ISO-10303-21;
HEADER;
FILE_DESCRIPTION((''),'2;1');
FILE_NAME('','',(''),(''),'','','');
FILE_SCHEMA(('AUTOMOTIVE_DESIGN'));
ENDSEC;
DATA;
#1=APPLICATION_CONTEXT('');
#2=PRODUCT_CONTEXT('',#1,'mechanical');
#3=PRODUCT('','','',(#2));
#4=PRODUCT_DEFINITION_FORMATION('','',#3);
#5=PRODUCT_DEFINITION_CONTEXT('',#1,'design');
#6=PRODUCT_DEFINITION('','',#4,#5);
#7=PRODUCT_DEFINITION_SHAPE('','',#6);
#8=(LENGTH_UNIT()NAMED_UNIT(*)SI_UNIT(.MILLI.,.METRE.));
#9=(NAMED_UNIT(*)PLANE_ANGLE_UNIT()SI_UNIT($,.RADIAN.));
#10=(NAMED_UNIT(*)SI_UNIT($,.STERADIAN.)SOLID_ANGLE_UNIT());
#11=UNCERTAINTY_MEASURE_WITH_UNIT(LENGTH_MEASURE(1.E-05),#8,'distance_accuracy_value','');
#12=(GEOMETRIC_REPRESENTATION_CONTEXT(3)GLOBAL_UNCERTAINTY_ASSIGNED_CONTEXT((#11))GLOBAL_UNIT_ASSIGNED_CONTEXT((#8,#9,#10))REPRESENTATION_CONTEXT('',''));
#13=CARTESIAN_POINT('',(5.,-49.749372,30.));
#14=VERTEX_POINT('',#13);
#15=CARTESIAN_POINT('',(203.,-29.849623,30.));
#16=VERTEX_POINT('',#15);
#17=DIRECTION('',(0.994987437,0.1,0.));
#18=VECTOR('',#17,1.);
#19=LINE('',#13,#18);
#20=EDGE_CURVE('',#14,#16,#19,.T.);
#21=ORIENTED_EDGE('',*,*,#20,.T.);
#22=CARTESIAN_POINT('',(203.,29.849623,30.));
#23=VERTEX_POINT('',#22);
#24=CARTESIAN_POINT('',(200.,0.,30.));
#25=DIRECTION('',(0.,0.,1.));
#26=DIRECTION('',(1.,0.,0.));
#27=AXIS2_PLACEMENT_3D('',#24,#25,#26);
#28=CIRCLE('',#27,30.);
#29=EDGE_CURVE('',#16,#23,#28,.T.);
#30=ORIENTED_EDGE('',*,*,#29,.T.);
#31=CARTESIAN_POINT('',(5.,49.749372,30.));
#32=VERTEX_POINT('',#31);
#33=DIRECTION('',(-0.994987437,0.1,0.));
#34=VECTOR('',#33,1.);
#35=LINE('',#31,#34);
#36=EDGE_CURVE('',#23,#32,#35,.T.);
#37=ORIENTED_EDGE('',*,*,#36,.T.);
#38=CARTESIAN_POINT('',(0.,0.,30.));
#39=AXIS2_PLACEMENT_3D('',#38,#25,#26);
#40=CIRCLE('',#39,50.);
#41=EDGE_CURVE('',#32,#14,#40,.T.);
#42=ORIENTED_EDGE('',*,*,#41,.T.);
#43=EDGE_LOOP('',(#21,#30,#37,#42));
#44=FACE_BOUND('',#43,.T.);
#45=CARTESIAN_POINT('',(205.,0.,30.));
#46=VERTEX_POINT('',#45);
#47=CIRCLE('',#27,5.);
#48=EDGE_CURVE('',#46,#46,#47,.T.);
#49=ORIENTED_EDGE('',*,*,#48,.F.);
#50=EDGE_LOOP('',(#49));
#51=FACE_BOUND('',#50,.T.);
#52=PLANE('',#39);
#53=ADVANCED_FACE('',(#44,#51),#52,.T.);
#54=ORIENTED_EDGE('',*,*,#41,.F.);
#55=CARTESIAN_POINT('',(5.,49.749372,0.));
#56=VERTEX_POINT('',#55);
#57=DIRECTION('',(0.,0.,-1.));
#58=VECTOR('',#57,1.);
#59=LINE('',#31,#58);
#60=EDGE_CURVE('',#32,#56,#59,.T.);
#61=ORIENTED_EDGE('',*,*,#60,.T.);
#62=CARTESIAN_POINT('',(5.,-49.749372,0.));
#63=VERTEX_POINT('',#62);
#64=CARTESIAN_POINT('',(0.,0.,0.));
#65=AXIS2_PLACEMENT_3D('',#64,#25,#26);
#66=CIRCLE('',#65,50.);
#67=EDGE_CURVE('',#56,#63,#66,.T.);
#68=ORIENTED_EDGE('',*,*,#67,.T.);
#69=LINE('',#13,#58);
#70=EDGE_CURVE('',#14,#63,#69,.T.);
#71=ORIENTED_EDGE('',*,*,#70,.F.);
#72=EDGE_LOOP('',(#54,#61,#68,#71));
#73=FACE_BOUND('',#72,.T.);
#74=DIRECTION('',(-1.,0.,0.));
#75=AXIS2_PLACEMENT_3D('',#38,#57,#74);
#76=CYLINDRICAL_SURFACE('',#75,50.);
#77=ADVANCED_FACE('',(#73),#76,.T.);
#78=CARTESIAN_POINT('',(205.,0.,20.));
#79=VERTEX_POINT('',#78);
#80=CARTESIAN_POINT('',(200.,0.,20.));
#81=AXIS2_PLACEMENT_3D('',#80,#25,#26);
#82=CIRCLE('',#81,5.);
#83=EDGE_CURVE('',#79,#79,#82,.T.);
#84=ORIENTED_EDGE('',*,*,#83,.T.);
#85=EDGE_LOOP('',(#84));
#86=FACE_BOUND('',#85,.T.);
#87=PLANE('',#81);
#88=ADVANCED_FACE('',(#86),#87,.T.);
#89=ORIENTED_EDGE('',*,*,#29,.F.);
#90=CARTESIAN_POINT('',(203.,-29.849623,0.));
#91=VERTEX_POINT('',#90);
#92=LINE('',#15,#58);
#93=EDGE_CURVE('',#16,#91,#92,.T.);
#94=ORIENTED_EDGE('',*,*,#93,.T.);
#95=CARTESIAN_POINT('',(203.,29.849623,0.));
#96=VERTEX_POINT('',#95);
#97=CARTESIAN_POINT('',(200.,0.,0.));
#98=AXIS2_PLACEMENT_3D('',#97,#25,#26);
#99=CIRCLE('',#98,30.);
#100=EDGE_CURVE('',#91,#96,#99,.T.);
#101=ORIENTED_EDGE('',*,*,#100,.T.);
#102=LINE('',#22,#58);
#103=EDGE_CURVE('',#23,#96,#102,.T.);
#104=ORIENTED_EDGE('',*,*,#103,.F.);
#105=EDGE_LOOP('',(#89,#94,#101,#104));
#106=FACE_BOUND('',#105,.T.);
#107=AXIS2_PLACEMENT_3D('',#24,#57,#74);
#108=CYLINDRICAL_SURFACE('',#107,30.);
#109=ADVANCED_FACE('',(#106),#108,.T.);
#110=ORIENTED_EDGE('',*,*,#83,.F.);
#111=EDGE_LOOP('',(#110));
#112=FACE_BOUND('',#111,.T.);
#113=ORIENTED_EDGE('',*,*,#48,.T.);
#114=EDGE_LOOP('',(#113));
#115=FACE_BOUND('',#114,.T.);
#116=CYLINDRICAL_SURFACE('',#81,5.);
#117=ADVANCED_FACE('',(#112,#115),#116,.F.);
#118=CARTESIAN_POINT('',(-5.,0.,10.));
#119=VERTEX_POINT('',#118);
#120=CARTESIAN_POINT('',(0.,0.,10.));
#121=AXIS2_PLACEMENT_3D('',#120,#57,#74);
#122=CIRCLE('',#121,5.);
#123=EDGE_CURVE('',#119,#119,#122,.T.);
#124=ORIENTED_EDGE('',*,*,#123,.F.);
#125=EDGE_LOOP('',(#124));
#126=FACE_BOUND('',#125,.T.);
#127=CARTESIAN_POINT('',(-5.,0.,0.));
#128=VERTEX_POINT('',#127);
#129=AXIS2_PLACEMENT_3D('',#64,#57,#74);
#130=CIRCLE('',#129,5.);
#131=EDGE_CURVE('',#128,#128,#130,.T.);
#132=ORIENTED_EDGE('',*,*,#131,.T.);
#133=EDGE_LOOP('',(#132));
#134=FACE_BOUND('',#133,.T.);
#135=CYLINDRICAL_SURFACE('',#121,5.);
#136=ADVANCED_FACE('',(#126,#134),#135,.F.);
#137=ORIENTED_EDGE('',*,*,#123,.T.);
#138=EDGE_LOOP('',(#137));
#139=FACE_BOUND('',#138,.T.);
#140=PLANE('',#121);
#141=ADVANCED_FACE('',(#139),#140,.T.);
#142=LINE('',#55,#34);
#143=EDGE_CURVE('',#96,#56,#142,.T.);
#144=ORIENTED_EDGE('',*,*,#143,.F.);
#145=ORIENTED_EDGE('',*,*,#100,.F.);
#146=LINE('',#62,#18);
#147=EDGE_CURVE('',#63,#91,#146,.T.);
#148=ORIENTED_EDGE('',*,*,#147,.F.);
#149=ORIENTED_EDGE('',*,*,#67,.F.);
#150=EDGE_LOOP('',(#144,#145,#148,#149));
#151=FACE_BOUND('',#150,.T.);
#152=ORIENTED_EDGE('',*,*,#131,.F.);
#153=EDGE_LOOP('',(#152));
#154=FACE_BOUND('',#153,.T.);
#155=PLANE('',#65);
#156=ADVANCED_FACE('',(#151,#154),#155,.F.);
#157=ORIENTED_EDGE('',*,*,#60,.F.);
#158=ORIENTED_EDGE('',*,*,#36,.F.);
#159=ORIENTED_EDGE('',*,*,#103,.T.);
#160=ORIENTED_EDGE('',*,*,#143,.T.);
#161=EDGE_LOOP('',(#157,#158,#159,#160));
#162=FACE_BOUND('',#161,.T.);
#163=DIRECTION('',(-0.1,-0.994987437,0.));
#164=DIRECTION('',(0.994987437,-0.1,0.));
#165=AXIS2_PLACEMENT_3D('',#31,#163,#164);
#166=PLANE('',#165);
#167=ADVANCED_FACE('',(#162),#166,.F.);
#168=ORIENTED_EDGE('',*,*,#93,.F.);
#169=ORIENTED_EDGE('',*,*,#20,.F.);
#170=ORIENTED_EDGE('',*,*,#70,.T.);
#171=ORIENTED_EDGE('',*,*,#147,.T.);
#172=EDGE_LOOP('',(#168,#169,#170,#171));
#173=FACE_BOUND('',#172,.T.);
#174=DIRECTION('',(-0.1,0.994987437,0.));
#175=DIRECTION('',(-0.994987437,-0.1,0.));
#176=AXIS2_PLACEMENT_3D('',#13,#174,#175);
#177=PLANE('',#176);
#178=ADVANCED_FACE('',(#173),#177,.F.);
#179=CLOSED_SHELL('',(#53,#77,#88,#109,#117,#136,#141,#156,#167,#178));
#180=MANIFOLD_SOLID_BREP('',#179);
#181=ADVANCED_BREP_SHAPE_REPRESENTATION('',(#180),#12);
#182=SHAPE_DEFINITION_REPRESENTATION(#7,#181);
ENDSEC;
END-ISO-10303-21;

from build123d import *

# Parameters (mm, degrees)
BOSS_EXTRUDE1_DEPTH = 30
SKETCH2_R           = 5
CUT_EXTRUDE1_DEPTH  = 10
SKETCH3_R           = 5
CUT_EXTRUDE2_DEPTH  = 10


with BuildPart() as part:
    # Sketch1 → Boss-Extrude1 (new body)
    with BuildSketch(Plane.XY):
        with BuildLine():
            Line((5, 49.749371855), (203, 29.849623113))
            ThreePointArc((203, 29.849623113), (230, 0), (203, -29.849623113))
            Line((203, -29.849623113), (5, -49.749371855))
            ThreePointArc((5, -49.749371855), (-50, 0), (5, 49.749371855))
        make_face()
    extrude(amount=BOSS_EXTRUDE1_DEPTH)

    # Sketch2 → Cut-Extrude1 (cut)
    with BuildSketch(Plane(origin=(0, 0, 0), x_dir=(-1, 0, 0), z_dir=(0, 0, -1))):
        Circle(SKETCH2_R)
    extrude(amount=-CUT_EXTRUDE1_DEPTH, mode=Mode.SUBTRACT)

    # Sketch3 → Cut-Extrude2 (cut)
    with BuildSketch(Plane.XY.offset(30)):
        with Locations((200, 0)):
            Circle(SKETCH3_R)
    extrude(amount=-CUT_EXTRUDE2_DEPTH, mode=Mode.SUBTRACT)


solid = part.part
